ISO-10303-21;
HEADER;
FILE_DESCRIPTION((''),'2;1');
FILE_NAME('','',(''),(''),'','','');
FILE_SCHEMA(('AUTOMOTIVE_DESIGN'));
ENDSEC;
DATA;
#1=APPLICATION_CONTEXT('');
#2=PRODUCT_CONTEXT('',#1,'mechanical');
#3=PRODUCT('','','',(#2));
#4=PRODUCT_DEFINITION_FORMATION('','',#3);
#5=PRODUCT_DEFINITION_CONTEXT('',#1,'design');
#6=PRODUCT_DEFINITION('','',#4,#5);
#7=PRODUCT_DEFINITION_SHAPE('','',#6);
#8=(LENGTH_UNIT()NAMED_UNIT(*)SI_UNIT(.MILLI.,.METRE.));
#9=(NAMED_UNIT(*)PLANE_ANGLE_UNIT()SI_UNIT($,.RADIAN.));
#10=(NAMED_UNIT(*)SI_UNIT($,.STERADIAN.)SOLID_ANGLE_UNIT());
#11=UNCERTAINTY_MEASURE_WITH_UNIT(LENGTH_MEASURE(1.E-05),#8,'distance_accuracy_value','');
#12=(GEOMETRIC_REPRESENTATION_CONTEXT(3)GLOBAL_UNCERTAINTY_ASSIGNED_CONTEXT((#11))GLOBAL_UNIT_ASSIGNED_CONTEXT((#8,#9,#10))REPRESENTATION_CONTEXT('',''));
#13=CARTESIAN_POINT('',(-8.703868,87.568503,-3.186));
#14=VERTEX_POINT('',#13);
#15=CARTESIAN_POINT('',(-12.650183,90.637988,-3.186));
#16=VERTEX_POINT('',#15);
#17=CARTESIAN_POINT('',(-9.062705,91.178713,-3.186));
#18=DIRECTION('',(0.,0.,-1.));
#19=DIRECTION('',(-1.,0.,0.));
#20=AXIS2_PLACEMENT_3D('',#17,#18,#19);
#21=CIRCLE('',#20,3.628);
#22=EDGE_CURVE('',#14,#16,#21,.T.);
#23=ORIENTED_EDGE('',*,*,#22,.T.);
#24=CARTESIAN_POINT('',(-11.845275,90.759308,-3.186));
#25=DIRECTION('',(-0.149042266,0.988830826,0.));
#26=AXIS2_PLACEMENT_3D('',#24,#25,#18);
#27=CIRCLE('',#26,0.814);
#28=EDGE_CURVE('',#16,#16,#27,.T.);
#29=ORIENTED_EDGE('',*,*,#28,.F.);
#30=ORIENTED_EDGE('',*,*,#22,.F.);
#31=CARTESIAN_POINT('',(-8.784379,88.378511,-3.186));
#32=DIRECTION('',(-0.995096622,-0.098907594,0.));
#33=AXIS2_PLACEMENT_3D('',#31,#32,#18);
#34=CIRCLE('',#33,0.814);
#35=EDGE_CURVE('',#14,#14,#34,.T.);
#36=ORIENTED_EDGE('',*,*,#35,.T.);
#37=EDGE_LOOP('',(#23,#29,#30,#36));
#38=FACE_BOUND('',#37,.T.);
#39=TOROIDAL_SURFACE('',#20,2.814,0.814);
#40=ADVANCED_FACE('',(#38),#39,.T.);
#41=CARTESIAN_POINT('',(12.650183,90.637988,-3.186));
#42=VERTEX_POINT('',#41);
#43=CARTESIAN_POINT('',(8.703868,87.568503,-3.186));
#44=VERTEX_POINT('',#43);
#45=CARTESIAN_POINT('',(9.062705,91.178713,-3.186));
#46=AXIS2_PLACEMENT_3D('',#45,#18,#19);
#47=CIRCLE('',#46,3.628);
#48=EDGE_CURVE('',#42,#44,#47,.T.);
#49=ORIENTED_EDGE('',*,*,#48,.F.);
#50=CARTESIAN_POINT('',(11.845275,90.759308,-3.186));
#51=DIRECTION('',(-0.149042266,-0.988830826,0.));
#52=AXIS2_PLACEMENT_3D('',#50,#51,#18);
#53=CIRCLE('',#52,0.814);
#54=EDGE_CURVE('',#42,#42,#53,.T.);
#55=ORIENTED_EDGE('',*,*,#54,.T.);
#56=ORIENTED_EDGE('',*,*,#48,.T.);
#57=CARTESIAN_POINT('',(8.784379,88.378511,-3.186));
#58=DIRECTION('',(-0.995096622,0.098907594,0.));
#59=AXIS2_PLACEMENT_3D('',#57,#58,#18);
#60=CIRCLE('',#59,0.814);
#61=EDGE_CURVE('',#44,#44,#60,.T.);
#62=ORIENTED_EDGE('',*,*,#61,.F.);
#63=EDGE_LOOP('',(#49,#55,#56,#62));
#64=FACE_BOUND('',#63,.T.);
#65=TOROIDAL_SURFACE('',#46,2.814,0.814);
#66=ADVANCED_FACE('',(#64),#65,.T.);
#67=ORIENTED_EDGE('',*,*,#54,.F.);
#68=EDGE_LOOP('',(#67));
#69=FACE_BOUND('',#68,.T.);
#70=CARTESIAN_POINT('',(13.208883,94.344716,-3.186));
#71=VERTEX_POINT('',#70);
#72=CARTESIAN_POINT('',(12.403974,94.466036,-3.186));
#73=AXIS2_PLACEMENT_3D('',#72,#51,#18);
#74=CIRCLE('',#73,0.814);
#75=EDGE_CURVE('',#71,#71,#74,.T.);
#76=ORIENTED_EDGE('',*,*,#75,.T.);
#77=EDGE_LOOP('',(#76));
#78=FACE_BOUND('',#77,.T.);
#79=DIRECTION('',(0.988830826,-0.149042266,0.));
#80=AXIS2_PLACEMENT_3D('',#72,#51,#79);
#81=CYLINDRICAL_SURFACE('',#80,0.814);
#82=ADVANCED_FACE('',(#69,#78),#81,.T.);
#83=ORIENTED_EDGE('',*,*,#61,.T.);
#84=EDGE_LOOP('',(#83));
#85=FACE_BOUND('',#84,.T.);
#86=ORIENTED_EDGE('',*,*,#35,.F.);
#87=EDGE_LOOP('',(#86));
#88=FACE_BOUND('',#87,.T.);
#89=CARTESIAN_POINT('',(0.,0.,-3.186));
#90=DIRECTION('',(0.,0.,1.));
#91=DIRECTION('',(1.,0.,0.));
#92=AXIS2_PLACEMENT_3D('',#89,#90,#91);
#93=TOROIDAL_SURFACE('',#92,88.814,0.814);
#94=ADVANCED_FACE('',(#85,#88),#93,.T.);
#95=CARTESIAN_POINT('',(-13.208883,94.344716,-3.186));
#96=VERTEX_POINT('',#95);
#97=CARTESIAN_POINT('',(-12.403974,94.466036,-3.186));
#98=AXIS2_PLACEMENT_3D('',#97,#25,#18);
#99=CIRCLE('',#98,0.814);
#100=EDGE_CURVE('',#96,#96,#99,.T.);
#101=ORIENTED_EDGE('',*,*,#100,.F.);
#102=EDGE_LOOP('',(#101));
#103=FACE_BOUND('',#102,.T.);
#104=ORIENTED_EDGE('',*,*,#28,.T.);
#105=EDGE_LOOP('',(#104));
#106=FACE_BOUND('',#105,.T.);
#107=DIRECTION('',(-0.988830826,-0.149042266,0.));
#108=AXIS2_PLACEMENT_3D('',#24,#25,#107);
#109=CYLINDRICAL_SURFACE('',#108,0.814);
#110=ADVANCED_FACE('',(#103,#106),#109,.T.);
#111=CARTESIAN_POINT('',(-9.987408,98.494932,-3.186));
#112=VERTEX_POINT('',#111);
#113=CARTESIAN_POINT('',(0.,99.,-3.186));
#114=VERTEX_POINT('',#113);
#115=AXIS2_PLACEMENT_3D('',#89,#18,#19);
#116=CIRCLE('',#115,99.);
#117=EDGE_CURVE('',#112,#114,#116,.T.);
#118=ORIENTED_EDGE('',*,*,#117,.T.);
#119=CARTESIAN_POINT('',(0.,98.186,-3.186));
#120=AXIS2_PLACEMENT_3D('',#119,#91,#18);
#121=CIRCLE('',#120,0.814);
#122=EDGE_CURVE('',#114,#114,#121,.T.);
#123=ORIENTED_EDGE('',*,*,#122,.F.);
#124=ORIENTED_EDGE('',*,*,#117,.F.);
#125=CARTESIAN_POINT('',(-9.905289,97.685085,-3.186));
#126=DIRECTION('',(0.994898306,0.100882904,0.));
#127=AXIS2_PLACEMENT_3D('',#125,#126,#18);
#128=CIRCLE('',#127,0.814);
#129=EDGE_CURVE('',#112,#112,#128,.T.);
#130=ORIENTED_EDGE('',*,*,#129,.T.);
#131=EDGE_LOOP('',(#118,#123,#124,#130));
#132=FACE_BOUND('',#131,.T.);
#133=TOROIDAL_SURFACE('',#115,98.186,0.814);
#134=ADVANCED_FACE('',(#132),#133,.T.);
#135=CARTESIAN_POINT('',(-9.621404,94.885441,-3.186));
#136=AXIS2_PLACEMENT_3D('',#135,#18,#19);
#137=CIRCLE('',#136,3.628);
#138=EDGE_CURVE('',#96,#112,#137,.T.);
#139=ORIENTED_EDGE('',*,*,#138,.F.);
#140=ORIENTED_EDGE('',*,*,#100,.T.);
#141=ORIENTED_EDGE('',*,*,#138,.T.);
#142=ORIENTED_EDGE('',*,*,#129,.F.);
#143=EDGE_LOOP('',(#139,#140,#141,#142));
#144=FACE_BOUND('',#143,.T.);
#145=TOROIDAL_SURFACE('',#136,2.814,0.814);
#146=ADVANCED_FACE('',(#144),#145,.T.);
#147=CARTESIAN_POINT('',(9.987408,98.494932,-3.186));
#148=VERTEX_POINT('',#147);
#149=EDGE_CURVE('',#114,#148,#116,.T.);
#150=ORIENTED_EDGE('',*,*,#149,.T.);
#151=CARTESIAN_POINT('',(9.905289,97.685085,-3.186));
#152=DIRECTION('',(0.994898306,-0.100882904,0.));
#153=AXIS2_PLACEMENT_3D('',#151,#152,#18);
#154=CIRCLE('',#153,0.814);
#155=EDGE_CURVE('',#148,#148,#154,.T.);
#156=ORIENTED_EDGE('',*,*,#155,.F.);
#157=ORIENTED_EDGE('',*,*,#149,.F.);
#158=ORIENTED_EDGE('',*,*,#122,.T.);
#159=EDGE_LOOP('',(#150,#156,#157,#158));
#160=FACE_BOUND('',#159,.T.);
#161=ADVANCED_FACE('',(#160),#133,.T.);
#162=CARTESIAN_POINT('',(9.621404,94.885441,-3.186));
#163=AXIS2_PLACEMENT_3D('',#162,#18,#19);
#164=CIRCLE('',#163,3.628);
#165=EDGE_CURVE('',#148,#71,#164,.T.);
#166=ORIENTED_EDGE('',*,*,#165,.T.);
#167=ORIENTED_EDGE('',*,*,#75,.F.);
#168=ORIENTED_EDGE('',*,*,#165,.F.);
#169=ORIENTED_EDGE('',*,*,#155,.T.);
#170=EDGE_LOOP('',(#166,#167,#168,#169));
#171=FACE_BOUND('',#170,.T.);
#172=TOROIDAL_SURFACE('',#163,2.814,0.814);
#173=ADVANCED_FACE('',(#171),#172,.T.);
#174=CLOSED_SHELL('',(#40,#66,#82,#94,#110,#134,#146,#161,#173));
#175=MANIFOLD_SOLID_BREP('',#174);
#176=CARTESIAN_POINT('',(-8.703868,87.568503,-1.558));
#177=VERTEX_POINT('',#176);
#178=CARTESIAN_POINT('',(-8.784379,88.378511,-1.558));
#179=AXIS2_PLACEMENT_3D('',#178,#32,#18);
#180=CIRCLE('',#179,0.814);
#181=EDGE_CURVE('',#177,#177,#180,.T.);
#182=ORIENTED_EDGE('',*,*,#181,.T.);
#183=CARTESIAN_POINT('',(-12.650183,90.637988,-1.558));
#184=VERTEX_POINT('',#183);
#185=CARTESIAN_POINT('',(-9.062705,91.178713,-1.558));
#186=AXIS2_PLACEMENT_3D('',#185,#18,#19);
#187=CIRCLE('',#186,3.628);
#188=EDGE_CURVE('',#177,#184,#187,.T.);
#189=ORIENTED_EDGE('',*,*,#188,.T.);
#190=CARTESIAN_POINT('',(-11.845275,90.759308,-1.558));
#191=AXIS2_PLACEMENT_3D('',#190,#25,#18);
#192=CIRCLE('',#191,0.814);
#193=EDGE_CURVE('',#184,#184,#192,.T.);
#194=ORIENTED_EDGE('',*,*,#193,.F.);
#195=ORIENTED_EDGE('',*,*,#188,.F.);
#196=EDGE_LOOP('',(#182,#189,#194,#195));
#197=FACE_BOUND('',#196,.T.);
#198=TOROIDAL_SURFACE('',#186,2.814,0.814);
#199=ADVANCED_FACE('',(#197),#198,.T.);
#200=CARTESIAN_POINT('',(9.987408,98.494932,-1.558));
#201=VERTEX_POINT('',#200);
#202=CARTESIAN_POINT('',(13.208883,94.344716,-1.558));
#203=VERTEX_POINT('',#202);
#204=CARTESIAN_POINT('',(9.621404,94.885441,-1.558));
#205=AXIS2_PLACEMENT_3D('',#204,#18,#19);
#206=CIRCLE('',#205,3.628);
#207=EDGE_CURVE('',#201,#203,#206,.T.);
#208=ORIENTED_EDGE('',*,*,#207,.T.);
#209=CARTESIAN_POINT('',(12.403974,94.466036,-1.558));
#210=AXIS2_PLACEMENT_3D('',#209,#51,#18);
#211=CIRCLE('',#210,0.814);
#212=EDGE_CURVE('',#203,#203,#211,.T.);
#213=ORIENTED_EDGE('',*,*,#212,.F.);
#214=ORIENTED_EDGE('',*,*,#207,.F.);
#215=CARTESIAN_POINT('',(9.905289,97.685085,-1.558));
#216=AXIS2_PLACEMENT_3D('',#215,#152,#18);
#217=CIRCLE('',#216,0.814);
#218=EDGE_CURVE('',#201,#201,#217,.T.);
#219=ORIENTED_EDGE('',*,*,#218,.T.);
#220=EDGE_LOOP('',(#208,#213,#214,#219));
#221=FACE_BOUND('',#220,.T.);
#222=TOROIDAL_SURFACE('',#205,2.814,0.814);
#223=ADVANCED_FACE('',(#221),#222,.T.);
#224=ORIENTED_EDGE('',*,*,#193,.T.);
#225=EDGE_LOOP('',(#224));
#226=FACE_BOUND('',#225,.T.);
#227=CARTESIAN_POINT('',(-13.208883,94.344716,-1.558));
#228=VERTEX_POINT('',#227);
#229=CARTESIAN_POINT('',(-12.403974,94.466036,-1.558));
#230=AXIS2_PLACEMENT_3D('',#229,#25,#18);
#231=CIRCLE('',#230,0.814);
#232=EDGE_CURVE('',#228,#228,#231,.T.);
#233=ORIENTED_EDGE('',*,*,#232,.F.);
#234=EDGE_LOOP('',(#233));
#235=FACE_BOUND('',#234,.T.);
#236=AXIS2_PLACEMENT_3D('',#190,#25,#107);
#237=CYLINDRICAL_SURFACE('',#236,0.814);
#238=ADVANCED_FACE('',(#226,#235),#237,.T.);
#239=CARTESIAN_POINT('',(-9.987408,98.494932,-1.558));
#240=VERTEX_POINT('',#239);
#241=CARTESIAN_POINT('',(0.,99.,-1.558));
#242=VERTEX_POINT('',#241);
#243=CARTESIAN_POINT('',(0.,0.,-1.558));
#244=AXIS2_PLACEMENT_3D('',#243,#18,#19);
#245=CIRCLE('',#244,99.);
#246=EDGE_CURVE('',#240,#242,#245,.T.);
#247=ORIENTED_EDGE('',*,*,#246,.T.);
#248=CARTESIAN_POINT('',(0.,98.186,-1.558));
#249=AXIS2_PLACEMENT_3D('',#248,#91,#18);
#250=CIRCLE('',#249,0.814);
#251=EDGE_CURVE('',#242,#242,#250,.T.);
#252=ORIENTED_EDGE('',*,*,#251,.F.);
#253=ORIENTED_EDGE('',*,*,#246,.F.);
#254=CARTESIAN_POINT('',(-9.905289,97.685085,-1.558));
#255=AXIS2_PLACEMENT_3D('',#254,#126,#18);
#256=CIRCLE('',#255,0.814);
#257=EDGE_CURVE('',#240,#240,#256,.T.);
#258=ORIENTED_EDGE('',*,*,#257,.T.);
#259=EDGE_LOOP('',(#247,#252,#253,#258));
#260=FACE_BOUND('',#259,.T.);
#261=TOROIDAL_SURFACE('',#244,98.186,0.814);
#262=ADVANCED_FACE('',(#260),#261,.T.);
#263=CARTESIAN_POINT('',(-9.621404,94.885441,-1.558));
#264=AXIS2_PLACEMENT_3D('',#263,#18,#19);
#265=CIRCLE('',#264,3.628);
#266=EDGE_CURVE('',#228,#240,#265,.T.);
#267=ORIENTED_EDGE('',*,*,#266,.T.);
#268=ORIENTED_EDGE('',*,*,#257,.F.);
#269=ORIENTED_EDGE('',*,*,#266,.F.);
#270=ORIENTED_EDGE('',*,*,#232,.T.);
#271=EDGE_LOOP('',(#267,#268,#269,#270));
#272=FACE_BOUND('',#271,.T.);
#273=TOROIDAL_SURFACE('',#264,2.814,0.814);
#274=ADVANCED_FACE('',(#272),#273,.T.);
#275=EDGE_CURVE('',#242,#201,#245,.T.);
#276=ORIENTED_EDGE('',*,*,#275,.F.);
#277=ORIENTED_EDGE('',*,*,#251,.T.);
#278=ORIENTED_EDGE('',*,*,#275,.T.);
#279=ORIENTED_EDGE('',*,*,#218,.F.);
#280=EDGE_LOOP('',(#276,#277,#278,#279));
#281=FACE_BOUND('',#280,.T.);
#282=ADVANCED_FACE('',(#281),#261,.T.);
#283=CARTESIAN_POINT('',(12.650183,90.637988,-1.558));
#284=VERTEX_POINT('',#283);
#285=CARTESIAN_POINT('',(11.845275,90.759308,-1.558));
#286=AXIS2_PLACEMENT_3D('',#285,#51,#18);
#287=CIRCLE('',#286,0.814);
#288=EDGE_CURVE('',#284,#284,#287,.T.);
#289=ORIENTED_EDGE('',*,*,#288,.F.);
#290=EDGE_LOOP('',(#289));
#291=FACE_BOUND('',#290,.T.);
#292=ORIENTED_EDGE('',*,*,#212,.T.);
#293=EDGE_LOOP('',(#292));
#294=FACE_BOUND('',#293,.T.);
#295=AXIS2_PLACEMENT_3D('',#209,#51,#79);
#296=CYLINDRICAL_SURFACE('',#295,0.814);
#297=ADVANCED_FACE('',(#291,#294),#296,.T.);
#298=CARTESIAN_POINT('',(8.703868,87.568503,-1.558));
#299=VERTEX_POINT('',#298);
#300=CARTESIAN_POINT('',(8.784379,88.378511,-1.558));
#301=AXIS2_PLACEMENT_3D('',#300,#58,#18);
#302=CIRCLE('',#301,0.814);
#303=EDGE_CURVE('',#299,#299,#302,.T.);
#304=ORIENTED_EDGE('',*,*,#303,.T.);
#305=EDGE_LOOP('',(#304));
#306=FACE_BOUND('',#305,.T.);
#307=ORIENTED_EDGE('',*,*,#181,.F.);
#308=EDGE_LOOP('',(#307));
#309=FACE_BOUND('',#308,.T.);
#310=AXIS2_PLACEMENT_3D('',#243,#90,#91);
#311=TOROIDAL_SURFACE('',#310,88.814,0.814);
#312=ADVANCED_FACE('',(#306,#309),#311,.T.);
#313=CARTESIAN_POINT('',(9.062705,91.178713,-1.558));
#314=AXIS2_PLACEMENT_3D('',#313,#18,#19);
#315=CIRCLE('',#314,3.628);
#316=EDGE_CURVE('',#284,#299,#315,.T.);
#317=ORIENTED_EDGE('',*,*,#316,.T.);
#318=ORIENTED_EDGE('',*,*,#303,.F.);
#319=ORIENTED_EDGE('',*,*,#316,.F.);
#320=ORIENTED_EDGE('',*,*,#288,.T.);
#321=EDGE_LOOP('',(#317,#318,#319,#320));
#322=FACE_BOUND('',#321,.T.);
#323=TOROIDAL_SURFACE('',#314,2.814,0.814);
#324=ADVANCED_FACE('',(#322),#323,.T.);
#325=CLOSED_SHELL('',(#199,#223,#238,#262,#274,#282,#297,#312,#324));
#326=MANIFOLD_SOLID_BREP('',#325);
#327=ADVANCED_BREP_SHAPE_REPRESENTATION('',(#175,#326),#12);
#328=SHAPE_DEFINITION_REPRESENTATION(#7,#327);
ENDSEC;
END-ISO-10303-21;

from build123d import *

# Parameters (mm, degrees)
SKETCH4_R       = 0.814
LPATTERN1_COUNT = 2
LPATTERN1_PITCH = 1.628


with BuildPart() as part:
    # Sweep2: sweep along a path in Sketch3
    with BuildLine(Plane.XY.offset(-3.186)) as sweep2_path:
        Line((11.845274932, 90.759308381), (12.403974274, 94.466036321))
        ThreePointArc((12.403974274, 94.466036321), (11.844320083, 96.610909759), (9.905288821, 97.685085092))
        ThreePointArc((9.905288821, 97.685085092), (0, 98.186), (-9.905288821, 97.685085092))
        ThreePointArc((-9.905288821, 97.685085092), (-11.844320083, 96.610909759), (-12.403974274, 94.466036321))
        Line((-12.403974274, 94.466036321), (-11.845274932, 90.759308381))
        ThreePointArc((-11.845274932, 90.759308381), (-10.79037915, 88.957511394), (-8.784379018, 88.378511423))
        ThreePointArc((-8.784379018, 88.378511423), (0, 88.814), (8.784379018, 88.378511423))
        ThreePointArc((8.784379018, 88.378511423), (10.79037915, 88.957511394), (11.845274932, 90.759308381))
    # Sketch4 → Sweep2 (sweep)
    with BuildSketch(Plane(origin=(0, 0, 0), x_dir=(0, 0, -1), z_dir=(1, 0, 0))):
        with Locations((3.186, 98.186)):
            Circle(SKETCH4_R)
    sweep(path=sweep2_path.line)


with BuildPart() as lpattern1_1:
    # LPattern1: pattern copy
    add(part.part.moved(Location(Vector(0, 0, 1) * (1 * LPATTERN1_PITCH))))


solid = Compound([part.part, lpattern1_1.part])
